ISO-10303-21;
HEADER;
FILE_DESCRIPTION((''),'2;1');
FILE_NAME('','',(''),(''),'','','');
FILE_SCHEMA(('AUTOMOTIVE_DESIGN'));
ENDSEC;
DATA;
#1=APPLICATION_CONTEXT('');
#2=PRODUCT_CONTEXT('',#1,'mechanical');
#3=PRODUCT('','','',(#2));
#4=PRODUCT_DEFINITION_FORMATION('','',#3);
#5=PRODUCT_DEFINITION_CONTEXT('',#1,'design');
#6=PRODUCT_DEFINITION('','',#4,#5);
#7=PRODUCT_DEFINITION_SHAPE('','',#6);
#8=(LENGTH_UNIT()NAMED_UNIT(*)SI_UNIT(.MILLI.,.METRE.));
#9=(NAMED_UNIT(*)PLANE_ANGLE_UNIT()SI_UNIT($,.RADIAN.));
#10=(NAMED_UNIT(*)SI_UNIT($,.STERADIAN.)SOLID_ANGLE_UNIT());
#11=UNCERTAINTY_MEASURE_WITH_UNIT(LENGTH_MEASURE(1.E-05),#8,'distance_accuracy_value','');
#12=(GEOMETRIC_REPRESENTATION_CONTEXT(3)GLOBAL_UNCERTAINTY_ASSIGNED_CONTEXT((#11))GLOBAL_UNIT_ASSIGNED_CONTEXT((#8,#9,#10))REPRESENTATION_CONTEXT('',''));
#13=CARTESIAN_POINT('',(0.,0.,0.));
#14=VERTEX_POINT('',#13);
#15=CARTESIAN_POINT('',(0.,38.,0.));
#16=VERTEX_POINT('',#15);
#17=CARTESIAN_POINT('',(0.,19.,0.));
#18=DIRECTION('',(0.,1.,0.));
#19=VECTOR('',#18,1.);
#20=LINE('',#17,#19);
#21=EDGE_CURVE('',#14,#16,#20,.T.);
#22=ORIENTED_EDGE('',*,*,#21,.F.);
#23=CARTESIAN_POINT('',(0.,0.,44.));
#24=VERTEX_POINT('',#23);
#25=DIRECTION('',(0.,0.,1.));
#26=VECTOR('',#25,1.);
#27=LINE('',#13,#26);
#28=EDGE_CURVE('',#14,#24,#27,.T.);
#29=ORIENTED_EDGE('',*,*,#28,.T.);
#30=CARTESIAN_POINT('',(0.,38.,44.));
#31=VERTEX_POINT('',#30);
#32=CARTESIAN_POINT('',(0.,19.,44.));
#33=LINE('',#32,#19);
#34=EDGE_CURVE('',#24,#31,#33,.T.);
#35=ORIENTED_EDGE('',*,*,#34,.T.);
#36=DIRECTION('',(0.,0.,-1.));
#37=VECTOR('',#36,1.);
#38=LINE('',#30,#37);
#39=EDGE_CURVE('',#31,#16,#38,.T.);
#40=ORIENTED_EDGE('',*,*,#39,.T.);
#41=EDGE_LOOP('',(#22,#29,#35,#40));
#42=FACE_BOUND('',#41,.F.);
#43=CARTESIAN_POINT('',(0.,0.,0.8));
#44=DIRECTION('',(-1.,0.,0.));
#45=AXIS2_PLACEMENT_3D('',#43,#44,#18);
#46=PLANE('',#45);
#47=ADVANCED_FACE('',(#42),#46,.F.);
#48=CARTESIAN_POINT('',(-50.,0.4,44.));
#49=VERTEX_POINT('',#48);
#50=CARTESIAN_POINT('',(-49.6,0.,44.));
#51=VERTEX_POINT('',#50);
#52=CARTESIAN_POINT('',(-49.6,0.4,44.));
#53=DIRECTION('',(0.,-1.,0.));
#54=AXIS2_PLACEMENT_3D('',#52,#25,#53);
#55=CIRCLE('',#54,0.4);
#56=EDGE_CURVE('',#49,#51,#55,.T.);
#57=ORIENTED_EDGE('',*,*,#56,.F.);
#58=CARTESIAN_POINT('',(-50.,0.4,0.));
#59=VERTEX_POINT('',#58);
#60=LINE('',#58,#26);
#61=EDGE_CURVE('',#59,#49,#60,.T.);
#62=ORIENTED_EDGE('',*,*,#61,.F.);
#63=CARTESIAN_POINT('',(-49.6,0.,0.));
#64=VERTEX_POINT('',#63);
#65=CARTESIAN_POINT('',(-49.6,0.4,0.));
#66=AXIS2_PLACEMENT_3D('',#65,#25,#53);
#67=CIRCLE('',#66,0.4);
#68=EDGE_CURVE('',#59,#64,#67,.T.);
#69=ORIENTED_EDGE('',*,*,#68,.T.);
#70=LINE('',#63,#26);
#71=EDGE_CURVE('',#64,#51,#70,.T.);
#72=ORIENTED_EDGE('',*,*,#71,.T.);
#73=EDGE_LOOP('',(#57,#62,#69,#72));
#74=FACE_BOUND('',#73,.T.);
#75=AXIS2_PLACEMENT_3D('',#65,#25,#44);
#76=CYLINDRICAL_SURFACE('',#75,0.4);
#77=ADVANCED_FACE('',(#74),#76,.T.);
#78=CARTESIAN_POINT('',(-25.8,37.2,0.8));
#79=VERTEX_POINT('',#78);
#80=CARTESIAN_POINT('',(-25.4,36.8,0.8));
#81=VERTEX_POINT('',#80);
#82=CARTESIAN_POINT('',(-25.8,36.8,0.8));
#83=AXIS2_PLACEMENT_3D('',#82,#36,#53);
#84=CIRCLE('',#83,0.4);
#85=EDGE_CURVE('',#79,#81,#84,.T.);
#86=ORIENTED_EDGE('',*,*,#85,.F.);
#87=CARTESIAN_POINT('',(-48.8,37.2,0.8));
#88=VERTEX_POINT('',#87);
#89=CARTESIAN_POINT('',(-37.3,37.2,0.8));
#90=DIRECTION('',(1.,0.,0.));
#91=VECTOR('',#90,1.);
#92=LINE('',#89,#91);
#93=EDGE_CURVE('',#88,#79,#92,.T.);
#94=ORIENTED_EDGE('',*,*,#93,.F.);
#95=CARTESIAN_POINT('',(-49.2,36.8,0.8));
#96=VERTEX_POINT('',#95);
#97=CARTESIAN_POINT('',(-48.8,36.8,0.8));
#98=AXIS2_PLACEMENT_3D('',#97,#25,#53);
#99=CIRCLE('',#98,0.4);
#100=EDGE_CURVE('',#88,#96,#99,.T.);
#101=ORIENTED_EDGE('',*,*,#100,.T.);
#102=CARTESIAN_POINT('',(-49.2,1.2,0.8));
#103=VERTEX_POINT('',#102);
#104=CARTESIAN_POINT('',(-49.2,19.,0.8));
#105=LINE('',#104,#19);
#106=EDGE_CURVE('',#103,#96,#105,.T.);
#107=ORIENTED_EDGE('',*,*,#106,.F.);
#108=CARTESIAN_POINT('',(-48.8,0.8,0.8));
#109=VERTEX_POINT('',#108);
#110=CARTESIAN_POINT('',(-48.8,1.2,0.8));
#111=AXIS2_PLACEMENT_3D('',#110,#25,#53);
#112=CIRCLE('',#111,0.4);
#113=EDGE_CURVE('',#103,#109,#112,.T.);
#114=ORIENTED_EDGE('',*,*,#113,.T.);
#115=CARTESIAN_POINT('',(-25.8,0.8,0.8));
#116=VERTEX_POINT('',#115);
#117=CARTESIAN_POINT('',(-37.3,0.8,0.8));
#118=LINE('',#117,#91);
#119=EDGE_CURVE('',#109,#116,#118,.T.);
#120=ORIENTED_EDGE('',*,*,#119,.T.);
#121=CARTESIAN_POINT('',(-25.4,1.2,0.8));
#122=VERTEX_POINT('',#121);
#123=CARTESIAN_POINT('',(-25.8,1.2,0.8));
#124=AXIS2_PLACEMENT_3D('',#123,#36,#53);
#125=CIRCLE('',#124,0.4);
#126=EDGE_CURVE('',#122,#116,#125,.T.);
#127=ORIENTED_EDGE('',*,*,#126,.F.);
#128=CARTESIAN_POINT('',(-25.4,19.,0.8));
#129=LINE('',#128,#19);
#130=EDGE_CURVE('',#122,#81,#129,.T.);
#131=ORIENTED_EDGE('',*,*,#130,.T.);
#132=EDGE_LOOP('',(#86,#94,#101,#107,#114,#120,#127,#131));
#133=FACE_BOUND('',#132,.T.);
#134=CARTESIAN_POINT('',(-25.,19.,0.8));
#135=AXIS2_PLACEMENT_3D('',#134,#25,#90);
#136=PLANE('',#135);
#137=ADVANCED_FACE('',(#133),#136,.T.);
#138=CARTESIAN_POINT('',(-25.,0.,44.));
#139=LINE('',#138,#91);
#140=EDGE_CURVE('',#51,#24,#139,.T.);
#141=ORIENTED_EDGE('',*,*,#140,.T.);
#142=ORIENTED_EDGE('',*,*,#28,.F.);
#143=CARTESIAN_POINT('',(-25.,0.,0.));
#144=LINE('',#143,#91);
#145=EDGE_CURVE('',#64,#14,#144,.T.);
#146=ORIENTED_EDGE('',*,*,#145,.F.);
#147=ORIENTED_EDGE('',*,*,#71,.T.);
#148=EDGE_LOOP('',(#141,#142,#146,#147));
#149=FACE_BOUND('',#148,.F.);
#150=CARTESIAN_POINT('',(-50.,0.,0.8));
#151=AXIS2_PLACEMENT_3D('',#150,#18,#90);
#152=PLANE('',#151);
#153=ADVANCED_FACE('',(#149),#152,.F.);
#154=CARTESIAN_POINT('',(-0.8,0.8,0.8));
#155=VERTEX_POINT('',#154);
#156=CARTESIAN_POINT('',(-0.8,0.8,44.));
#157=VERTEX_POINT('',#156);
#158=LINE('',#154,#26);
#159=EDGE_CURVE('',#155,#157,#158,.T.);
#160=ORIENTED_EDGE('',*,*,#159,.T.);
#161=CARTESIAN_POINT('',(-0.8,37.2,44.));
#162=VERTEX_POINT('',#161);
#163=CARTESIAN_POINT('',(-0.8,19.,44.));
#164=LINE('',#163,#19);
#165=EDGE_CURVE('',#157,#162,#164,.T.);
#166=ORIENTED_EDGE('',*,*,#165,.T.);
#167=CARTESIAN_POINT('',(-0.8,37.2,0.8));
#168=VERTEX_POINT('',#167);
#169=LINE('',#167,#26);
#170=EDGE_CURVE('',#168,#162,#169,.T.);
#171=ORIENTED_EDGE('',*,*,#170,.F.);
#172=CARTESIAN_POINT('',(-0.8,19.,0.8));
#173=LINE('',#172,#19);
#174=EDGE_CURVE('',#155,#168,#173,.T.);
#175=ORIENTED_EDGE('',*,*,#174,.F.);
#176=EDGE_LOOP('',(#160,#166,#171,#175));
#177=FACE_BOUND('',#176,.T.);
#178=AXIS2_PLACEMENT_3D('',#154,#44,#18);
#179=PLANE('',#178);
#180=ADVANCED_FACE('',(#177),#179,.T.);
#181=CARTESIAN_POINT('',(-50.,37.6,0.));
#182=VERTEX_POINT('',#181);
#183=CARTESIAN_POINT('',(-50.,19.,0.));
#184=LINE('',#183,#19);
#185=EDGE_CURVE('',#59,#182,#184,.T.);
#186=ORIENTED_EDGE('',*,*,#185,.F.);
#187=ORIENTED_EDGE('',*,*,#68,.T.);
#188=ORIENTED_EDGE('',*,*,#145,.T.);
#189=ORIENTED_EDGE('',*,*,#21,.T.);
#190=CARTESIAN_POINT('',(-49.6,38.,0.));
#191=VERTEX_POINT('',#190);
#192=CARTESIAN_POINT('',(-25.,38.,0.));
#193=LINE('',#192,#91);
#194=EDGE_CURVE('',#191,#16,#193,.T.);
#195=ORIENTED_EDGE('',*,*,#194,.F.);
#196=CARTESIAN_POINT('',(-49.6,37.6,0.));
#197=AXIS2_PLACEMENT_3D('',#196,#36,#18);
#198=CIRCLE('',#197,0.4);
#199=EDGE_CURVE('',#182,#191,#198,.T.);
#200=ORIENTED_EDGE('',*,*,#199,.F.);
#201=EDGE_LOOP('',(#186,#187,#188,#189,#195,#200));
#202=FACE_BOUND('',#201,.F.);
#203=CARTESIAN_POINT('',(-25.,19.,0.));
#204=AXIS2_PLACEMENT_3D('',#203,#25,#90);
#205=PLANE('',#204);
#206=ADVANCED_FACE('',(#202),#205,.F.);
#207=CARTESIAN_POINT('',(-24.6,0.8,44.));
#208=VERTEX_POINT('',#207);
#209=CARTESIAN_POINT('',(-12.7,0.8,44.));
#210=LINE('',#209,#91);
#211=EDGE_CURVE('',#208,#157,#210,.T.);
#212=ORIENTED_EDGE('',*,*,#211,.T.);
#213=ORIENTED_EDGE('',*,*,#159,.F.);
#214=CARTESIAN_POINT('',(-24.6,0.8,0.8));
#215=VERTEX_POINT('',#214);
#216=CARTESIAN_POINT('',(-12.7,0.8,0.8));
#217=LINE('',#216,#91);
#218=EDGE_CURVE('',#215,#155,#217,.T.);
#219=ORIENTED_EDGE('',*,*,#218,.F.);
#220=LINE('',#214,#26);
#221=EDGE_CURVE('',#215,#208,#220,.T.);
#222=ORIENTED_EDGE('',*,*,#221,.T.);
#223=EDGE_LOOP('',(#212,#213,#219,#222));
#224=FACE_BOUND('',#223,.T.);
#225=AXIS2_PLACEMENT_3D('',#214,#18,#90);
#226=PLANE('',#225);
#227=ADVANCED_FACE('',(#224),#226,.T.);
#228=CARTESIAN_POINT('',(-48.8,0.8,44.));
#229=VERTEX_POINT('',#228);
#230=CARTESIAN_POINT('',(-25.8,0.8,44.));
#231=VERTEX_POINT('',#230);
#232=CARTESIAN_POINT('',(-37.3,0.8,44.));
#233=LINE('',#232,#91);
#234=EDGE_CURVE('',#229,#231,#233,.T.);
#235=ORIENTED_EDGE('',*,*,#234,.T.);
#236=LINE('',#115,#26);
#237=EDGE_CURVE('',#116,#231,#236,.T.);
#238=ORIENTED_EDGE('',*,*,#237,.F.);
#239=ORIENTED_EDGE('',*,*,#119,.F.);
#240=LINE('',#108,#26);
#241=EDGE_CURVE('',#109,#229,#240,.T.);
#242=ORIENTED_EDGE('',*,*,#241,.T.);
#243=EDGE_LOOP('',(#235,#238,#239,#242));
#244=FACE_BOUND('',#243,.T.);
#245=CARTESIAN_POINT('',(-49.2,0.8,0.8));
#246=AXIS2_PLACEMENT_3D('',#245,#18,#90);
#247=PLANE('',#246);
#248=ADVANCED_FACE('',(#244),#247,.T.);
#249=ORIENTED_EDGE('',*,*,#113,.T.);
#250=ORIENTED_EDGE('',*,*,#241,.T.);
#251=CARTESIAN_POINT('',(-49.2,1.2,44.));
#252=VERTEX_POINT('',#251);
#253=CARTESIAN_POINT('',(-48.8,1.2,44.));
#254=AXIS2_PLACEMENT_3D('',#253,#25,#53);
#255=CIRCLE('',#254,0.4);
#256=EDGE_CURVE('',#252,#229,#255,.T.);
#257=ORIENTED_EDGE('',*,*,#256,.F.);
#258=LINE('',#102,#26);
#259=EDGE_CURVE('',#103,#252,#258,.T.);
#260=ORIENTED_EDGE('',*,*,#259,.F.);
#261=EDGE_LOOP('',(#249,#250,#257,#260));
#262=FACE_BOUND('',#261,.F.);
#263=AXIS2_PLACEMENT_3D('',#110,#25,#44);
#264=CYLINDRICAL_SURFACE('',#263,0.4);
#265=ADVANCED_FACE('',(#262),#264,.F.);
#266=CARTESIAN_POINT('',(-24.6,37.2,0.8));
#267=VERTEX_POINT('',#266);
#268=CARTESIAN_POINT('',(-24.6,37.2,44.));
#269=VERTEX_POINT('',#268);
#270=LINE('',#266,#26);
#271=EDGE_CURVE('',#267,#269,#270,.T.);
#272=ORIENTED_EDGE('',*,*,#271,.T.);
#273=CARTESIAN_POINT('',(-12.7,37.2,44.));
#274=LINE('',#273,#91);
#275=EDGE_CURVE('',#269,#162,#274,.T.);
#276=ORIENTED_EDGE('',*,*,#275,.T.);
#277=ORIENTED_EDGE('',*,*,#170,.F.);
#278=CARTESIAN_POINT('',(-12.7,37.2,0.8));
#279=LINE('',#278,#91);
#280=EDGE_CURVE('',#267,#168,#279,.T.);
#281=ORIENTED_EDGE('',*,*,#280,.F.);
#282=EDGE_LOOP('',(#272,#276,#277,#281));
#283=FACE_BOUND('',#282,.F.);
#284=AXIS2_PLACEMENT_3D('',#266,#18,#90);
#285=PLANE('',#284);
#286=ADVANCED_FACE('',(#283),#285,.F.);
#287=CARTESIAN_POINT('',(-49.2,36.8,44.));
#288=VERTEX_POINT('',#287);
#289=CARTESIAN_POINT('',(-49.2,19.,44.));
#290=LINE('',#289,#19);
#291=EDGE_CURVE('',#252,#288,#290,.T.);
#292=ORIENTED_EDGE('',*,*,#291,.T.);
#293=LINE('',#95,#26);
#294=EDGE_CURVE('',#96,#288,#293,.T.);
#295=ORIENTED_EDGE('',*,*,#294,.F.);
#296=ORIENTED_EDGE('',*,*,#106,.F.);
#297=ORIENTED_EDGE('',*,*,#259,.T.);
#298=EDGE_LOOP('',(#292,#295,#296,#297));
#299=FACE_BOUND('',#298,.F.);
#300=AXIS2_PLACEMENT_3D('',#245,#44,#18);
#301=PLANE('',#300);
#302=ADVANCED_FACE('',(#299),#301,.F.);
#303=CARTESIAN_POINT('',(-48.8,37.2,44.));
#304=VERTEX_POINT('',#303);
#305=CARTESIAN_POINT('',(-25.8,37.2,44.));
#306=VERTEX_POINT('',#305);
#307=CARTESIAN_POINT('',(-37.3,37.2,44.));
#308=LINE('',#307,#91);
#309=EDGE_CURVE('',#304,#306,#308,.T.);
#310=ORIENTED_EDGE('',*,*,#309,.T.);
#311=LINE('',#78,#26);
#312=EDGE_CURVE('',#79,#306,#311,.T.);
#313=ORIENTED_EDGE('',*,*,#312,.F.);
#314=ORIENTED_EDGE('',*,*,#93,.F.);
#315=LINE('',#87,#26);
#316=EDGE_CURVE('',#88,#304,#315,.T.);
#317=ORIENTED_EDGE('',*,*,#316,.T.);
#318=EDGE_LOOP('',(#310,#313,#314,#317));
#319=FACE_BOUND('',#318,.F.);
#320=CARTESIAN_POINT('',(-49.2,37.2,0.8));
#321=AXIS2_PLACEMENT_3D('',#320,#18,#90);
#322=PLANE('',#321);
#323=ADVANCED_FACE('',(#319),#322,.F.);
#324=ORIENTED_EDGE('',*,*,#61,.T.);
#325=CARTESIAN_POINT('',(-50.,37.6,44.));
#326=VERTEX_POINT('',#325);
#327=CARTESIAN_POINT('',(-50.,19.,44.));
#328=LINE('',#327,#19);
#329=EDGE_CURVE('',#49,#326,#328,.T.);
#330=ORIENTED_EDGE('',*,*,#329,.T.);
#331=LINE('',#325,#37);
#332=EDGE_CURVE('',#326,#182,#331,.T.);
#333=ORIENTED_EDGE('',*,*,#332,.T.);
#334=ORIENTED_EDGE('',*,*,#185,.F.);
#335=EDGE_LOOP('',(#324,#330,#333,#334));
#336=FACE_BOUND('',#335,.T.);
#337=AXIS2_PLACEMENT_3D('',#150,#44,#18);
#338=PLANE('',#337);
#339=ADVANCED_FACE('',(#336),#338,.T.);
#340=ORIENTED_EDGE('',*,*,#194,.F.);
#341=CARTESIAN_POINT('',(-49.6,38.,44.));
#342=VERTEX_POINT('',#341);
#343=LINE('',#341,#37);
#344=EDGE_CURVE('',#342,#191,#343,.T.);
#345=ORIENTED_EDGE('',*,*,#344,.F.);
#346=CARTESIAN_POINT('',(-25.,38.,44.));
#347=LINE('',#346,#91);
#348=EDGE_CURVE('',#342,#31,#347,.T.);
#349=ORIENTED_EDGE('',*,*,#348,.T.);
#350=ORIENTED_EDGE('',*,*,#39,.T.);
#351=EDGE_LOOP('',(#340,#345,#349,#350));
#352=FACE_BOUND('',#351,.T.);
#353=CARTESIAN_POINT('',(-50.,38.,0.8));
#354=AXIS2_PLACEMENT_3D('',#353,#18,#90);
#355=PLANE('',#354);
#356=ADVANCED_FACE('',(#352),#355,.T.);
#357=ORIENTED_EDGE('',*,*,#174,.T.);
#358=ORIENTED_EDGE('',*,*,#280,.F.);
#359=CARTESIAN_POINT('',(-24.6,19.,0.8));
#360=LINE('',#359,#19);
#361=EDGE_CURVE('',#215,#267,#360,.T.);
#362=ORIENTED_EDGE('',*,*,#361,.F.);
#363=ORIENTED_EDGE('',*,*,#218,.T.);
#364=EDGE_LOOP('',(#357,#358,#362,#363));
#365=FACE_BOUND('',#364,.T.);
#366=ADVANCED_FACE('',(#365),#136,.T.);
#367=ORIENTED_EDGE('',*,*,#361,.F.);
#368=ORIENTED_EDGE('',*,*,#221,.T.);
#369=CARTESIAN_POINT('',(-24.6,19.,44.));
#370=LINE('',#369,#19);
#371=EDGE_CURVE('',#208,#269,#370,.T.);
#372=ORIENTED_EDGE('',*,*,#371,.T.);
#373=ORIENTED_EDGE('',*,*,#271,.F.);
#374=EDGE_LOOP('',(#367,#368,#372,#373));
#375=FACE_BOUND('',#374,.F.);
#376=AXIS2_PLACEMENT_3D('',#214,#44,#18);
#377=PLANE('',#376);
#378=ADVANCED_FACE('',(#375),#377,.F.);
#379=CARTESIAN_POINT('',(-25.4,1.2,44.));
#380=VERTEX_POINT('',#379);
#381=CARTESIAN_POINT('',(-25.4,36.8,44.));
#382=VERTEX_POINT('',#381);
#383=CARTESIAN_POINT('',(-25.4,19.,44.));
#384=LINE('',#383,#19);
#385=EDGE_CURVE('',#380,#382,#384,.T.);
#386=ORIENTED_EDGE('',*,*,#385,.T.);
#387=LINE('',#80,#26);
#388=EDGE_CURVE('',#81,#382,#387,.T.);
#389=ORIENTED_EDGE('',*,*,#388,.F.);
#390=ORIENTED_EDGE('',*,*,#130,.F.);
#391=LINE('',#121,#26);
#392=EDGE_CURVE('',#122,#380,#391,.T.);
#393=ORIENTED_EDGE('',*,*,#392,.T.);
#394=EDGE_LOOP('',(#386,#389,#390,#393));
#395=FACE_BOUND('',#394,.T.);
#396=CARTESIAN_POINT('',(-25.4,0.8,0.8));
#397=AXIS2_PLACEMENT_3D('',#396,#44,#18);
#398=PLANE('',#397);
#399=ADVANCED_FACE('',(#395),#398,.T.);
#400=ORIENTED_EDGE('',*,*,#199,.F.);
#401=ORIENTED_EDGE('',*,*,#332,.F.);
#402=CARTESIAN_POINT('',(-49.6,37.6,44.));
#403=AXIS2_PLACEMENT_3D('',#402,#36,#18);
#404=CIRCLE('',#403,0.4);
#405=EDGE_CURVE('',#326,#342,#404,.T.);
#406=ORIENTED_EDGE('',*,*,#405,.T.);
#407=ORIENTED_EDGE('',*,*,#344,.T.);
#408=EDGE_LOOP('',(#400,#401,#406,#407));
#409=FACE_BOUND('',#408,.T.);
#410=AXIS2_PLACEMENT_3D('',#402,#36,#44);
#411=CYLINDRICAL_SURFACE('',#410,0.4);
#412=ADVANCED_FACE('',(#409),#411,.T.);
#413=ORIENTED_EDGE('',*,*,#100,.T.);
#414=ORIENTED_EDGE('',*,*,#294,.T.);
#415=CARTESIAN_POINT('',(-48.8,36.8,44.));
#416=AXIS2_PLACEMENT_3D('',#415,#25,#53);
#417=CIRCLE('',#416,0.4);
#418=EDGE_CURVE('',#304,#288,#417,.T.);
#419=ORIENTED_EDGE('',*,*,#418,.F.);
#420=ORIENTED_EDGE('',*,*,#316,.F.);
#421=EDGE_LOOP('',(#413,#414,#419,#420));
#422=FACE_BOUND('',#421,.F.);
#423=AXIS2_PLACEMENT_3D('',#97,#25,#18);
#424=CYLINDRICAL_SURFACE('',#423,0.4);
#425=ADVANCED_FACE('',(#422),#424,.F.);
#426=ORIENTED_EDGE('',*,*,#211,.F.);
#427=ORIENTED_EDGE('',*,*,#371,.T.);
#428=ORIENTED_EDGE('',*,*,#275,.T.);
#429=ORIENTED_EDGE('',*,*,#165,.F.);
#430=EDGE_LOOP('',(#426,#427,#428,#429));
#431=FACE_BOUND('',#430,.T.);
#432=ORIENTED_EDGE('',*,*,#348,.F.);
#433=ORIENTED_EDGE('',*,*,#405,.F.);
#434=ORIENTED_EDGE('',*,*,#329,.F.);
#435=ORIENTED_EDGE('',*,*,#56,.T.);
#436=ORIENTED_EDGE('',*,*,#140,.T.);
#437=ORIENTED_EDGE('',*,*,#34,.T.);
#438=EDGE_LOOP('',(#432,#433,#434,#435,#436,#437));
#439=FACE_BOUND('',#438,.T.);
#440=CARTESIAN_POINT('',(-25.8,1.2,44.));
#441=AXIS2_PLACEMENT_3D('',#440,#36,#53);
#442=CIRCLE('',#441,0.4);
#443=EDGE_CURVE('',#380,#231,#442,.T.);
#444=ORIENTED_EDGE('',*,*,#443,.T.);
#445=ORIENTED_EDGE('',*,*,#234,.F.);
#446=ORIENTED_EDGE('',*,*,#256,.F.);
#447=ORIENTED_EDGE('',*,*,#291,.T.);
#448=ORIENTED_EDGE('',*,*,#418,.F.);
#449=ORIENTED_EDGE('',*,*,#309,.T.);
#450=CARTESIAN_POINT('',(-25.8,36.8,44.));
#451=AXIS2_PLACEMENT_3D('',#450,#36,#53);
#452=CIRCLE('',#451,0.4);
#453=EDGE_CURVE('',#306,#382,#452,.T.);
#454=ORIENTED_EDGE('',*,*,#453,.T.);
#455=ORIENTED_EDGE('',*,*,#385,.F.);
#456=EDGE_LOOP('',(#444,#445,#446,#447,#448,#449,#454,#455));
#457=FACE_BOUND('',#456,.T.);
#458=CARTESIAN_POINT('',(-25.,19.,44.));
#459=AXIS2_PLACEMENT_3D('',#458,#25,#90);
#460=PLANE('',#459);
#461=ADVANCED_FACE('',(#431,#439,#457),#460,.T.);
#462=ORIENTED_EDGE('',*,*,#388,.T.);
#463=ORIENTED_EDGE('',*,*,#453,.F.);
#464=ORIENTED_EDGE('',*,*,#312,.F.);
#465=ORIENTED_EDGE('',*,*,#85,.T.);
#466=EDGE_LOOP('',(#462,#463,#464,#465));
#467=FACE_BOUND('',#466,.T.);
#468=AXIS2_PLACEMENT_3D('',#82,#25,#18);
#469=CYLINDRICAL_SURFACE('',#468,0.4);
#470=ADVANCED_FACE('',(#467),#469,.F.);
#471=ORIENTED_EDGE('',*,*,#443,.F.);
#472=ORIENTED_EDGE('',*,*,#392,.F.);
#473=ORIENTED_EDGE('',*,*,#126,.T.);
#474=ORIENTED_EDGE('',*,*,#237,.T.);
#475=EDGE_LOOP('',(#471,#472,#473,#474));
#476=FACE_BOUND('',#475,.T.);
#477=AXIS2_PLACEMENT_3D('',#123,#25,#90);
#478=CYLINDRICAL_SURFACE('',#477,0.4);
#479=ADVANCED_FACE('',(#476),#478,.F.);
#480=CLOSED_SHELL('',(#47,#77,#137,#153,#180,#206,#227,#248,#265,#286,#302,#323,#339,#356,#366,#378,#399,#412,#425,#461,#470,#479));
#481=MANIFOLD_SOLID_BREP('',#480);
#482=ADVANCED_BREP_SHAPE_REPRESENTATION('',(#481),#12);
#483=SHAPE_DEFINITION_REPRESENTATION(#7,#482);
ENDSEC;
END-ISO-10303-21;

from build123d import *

# Parameters (mm, degrees)
F0_W     = 50
F0_H     = 38
F1_DEPTH = 0.8
F2_W     = 50
F2_H     = 38
F2_W_2   = 23.8
F2_H_2   = 36.4
F3_DEPTH = 43.2
F4_R     = 0.4


with BuildPart() as f1:
    # F0 (on Top) → F1 (new body)
    with BuildSketch(Plane.XY):
        with Locations((-25, 19)):
            Rectangle(F0_W, F0_H)
    extrude(amount=F1_DEPTH)

    # F2 (on face) → F3 (join)
    with BuildSketch(Plane.XY.offset(0.8)):
        with Locations((-25, 19)):
            Rectangle(F2_W, F2_H)
        with Locations((-37.3, 19)):
            Rectangle(F2_W_2, F2_H_2, mode=Mode.SUBTRACT)
        with Locations((-12.7, 19)):
            Rectangle(F2_W_2, F2_H_2, mode=Mode.SUBTRACT)
    extrude(amount=F3_DEPTH)

    # F4
    f4_edges = [f1.edges().sort_by_distance(p)[0] for p in [
        (-50, 0, 22),
        (-49.2, 0.8, 22.4),
        (-49.2, 37.2, 22.4),
        (-50, 38, 22),
        (-25.4, 37.2, 22.4),
        (-25.4, 0.8, 22.4),
    ]]
    fillet(f4_edges, radius=F4_R)


solid = f1.part
